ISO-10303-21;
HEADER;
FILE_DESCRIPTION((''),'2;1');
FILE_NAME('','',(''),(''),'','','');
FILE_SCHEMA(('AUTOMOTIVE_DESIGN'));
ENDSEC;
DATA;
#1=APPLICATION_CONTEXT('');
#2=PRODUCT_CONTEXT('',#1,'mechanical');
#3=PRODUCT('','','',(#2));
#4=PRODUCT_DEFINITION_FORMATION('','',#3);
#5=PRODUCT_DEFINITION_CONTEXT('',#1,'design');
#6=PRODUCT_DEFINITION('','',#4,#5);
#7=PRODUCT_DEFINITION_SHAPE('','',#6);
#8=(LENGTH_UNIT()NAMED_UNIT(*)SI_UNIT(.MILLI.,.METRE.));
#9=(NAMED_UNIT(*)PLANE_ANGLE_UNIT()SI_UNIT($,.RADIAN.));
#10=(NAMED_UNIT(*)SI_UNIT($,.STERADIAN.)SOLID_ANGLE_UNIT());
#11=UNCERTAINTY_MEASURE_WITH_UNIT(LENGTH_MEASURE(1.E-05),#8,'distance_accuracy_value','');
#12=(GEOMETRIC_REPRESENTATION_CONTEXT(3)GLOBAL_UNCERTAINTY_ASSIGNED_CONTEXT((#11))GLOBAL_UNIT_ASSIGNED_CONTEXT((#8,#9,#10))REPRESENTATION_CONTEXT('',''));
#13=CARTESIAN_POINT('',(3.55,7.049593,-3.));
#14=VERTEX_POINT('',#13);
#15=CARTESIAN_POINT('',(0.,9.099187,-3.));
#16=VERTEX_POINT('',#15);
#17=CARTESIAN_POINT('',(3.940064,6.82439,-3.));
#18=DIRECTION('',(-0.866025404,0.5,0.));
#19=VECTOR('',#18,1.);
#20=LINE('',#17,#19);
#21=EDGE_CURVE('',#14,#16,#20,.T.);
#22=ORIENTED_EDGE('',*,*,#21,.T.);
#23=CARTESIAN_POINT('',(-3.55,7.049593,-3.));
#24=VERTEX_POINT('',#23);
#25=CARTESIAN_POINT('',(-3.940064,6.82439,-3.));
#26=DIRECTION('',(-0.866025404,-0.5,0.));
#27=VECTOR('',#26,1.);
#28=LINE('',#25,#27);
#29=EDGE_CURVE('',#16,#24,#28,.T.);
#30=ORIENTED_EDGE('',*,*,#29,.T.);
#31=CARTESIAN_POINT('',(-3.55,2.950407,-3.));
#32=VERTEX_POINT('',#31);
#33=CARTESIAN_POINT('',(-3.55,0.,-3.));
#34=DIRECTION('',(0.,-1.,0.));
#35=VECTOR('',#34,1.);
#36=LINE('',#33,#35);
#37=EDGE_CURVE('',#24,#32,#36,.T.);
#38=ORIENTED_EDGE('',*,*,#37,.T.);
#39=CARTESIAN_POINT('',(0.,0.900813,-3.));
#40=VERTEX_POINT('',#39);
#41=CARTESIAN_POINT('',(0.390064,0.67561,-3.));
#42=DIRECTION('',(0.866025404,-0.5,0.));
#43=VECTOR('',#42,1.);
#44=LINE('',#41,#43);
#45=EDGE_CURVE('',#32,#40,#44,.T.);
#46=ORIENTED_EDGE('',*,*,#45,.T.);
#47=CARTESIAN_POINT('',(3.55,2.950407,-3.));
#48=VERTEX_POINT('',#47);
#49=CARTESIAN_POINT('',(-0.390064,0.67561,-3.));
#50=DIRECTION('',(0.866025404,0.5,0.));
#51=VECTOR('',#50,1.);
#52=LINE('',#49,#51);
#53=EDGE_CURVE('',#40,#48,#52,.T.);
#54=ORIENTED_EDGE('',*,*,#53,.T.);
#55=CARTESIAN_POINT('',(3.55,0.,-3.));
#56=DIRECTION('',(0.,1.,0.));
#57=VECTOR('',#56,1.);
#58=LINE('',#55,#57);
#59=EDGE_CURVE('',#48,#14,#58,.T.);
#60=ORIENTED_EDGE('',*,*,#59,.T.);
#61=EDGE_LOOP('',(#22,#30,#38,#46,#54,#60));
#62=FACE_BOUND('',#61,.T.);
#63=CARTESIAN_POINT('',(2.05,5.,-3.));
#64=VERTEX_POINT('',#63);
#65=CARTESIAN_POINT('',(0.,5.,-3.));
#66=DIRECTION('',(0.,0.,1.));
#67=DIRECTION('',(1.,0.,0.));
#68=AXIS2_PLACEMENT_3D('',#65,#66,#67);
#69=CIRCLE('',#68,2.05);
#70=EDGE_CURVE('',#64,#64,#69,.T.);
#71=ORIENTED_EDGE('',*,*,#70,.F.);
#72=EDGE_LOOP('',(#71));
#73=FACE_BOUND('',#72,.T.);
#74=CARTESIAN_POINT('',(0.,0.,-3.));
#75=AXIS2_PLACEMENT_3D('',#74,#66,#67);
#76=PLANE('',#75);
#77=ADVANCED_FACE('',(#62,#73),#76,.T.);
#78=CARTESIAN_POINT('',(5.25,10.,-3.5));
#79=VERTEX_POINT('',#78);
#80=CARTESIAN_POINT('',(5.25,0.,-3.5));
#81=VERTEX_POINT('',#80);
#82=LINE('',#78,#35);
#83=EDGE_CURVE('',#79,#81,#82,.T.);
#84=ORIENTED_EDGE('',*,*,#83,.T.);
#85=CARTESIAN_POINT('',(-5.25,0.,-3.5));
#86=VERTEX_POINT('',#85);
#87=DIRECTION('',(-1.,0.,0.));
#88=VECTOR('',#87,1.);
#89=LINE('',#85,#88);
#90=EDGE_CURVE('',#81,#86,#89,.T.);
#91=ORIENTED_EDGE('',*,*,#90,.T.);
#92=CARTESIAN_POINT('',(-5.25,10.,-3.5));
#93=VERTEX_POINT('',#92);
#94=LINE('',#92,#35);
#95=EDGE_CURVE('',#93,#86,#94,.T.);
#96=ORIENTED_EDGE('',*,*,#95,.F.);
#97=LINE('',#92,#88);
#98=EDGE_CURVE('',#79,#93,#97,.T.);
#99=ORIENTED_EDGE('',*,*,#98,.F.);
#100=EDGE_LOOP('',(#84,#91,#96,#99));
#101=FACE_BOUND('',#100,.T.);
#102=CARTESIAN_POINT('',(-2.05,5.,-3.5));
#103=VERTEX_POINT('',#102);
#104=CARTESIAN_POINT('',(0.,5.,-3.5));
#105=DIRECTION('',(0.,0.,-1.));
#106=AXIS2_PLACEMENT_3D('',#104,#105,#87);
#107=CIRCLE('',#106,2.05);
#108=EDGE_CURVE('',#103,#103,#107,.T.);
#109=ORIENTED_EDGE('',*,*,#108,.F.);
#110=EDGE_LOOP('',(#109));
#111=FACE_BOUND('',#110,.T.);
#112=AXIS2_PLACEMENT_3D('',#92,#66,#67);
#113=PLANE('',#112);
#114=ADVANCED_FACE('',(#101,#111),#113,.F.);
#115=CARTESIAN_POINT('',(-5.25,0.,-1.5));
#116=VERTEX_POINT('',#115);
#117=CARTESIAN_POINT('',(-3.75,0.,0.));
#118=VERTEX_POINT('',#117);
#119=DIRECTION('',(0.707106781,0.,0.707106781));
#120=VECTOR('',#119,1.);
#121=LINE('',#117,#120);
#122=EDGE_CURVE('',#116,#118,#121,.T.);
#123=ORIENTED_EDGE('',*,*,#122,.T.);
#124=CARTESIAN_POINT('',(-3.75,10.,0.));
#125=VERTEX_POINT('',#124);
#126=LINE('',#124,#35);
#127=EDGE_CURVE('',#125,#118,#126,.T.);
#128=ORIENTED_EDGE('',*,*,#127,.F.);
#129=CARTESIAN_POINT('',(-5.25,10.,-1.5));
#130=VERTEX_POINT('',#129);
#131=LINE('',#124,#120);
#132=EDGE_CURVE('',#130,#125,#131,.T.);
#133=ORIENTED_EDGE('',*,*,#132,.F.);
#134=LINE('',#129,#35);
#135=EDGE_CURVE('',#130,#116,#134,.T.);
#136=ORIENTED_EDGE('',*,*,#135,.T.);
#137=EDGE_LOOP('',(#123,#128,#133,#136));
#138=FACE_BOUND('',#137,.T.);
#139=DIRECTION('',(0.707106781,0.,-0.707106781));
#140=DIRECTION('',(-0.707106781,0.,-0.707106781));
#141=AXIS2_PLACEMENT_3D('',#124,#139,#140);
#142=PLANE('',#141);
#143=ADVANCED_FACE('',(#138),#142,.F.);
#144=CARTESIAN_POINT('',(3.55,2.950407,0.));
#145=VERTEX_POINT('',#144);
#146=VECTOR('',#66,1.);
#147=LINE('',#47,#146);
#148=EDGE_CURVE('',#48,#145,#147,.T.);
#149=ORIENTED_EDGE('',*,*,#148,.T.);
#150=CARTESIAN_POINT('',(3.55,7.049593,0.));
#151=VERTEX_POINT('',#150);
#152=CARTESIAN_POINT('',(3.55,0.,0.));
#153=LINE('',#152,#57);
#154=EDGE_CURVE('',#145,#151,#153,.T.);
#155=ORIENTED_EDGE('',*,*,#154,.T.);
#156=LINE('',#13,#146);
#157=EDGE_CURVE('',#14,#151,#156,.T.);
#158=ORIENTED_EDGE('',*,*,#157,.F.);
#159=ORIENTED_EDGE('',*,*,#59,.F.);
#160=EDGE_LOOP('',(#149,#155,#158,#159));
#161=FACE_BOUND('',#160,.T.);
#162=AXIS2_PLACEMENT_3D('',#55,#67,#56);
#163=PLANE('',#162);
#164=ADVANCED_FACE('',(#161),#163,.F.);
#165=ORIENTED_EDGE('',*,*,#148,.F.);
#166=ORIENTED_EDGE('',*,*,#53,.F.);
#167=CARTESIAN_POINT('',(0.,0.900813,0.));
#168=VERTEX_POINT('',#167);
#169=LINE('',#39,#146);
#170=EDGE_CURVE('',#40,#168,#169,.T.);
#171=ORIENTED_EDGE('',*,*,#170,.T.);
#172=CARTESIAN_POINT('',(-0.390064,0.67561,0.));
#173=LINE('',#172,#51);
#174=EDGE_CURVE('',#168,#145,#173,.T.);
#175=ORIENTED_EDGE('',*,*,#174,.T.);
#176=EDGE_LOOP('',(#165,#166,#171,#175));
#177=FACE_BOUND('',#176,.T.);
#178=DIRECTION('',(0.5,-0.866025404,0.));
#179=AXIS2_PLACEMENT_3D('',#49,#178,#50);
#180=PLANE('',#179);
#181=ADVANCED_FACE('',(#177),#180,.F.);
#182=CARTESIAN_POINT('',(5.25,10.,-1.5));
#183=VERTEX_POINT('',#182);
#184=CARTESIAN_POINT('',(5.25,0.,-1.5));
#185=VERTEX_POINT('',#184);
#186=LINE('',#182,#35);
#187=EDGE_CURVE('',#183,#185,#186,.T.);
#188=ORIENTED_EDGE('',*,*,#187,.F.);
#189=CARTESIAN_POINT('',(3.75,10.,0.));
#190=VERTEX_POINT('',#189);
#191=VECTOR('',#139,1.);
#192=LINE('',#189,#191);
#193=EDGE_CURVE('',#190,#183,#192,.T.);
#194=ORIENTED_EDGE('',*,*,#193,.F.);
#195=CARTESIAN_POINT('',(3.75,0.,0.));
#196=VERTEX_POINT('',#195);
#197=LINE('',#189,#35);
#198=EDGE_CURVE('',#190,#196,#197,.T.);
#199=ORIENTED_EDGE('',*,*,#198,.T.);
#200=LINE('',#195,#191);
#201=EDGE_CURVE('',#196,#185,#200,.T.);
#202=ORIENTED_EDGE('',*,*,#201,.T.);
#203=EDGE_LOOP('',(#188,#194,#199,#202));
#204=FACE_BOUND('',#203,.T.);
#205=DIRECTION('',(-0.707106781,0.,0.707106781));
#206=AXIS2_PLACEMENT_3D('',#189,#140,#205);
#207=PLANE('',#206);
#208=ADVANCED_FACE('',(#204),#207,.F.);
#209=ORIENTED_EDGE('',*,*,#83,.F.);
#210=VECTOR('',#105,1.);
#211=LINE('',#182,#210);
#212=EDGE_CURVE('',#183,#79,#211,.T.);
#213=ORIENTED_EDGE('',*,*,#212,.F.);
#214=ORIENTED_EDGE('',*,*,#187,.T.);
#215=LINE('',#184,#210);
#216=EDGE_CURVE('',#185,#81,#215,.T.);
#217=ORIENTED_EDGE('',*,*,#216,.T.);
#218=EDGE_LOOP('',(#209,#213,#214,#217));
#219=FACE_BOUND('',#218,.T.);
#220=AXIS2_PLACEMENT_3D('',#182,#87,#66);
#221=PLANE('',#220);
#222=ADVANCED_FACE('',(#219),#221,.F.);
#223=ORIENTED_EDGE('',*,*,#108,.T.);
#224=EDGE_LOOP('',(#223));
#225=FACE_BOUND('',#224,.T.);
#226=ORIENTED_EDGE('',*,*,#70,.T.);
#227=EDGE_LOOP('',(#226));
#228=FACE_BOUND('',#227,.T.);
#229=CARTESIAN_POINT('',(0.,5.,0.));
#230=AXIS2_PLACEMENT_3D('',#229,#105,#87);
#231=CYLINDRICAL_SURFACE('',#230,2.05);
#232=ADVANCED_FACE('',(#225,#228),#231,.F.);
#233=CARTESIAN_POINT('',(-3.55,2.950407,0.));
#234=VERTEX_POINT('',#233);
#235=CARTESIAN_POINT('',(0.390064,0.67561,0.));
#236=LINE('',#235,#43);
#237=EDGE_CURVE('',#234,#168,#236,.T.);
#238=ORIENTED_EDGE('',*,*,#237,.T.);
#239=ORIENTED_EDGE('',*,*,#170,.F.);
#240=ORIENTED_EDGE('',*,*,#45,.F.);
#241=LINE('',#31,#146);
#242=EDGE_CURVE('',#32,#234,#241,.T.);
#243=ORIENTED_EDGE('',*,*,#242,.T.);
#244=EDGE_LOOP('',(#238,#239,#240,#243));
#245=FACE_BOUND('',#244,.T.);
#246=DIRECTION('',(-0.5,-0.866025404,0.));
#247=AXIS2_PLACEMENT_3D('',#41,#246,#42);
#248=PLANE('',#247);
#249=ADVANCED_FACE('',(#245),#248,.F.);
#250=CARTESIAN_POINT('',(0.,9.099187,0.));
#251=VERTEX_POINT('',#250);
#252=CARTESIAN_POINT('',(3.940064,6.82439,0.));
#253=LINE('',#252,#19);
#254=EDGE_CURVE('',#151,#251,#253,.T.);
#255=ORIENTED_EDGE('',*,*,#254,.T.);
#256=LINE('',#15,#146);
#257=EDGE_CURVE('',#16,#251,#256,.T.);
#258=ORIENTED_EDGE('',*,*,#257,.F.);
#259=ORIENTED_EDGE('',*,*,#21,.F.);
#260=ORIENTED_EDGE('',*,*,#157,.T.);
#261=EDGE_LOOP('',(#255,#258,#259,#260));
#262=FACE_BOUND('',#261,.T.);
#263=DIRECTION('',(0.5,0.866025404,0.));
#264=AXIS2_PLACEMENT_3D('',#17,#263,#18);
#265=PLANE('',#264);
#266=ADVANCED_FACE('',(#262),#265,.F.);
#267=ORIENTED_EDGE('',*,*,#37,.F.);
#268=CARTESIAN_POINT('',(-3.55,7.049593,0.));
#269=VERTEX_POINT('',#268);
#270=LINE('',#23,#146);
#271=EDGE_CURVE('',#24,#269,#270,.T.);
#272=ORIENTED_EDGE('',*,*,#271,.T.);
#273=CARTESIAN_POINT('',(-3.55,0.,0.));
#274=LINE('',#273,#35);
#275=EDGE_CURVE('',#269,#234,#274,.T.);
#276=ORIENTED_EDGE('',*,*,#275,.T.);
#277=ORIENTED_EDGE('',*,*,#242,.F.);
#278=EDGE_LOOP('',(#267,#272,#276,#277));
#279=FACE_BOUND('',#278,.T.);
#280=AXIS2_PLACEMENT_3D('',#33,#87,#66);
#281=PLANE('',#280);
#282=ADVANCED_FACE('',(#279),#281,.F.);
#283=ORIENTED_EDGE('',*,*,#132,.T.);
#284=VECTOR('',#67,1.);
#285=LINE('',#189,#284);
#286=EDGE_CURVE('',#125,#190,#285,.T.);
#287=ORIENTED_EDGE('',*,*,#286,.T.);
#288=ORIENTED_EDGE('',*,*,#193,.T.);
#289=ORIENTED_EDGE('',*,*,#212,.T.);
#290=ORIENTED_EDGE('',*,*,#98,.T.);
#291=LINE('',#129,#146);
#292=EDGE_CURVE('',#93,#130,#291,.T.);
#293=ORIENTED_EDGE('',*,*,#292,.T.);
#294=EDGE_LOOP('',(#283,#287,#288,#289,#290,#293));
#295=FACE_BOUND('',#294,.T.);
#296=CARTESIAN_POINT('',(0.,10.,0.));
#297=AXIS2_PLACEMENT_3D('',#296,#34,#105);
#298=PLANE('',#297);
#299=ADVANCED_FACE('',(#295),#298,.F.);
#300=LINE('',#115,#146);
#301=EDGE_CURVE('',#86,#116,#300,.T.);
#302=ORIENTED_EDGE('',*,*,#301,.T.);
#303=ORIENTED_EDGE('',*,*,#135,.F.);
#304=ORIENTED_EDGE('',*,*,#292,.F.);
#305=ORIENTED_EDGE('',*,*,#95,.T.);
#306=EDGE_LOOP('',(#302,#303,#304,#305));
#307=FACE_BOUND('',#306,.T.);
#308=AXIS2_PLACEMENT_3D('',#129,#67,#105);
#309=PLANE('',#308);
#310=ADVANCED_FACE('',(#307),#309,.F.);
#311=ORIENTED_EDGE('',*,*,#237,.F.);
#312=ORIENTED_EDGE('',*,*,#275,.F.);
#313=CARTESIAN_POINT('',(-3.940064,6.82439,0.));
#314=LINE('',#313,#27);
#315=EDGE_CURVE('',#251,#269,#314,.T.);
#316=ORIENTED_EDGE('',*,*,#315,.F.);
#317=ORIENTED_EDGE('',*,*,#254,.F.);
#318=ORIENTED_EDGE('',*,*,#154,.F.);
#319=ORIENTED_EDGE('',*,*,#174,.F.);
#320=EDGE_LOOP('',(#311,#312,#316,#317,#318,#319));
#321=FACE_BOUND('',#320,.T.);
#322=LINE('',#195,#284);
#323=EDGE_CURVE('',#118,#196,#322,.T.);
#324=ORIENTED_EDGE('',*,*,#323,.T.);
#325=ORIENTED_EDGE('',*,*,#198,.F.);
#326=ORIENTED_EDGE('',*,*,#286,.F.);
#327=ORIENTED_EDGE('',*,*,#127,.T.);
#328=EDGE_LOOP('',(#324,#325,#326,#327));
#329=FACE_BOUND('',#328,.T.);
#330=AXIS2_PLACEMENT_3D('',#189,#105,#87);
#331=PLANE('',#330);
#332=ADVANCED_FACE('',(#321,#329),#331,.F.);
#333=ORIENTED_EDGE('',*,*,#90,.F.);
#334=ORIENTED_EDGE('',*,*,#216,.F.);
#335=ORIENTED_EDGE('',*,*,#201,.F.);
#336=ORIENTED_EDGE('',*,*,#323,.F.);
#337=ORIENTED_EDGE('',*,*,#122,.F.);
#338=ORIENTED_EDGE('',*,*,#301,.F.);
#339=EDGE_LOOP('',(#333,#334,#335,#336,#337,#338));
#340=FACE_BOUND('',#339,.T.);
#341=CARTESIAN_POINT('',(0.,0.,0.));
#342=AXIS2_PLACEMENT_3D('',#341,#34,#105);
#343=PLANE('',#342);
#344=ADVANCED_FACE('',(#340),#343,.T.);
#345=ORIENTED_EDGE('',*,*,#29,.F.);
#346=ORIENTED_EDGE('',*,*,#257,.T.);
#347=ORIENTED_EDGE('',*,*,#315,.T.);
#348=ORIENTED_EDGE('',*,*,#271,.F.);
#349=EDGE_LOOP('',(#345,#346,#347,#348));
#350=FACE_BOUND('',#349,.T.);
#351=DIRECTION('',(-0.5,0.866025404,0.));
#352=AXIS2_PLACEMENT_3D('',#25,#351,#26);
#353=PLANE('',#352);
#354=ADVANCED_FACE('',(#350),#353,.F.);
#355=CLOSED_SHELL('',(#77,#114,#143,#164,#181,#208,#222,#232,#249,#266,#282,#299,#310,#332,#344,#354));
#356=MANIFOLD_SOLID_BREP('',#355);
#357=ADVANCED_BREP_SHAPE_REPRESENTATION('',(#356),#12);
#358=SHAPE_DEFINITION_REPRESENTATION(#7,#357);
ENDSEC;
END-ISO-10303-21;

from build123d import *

# Parameters (mm, degrees)
BOSS_EXTRU_1_DEPTH      = 10
ENL_V_MAT_EXTRU_2_DEPTH = 3
ESQUISSE5_R             = 2.05
ENL_V_MAT_EXTRU_3_DEPTH = 12.82423359


with BuildPart() as part:
    # Esquisse1 → Boss.-Extru.1 (new body)
    with BuildSketch(Plane(origin=(0, 0, 0), x_dir=(1, 0, 0), z_dir=(0, 1, 0))):
        Polygon((3.75, 0), (-3.75, 0), (-5.25, 1.5), (-5.25, 3.5), (5.25, 3.5), (5.25, 1.5), align=None)
    extrude(amount=BOSS_EXTRU_1_DEPTH)

    # Esquisse4 → Enlèv. mat.-Extru.2 (cut)
    with BuildSketch(Plane.XY):
        Polygon((3.55, 7.049593456), (0, 9.099186911), (-3.55, 7.049593456), (-3.55, 2.950406544), (0, 0.900813089), (3.55, 2.950406544), align=None)
    extrude(amount=-ENL_V_MAT_EXTRU_2_DEPTH, mode=Mode.SUBTRACT)

    # Esquisse5 → Enlèv. mat.-Extru.3 (cut, through all)
    with BuildSketch(Plane(origin=(0, 0, -3.5), x_dir=(-1, 0, 0), z_dir=(0, 0, -1))):
        with Locations((0, 5)):
            Circle(ESQUISSE5_R)
    extrude(amount=-ENL_V_MAT_EXTRU_3_DEPTH, mode=Mode.SUBTRACT)


solid = part.part
